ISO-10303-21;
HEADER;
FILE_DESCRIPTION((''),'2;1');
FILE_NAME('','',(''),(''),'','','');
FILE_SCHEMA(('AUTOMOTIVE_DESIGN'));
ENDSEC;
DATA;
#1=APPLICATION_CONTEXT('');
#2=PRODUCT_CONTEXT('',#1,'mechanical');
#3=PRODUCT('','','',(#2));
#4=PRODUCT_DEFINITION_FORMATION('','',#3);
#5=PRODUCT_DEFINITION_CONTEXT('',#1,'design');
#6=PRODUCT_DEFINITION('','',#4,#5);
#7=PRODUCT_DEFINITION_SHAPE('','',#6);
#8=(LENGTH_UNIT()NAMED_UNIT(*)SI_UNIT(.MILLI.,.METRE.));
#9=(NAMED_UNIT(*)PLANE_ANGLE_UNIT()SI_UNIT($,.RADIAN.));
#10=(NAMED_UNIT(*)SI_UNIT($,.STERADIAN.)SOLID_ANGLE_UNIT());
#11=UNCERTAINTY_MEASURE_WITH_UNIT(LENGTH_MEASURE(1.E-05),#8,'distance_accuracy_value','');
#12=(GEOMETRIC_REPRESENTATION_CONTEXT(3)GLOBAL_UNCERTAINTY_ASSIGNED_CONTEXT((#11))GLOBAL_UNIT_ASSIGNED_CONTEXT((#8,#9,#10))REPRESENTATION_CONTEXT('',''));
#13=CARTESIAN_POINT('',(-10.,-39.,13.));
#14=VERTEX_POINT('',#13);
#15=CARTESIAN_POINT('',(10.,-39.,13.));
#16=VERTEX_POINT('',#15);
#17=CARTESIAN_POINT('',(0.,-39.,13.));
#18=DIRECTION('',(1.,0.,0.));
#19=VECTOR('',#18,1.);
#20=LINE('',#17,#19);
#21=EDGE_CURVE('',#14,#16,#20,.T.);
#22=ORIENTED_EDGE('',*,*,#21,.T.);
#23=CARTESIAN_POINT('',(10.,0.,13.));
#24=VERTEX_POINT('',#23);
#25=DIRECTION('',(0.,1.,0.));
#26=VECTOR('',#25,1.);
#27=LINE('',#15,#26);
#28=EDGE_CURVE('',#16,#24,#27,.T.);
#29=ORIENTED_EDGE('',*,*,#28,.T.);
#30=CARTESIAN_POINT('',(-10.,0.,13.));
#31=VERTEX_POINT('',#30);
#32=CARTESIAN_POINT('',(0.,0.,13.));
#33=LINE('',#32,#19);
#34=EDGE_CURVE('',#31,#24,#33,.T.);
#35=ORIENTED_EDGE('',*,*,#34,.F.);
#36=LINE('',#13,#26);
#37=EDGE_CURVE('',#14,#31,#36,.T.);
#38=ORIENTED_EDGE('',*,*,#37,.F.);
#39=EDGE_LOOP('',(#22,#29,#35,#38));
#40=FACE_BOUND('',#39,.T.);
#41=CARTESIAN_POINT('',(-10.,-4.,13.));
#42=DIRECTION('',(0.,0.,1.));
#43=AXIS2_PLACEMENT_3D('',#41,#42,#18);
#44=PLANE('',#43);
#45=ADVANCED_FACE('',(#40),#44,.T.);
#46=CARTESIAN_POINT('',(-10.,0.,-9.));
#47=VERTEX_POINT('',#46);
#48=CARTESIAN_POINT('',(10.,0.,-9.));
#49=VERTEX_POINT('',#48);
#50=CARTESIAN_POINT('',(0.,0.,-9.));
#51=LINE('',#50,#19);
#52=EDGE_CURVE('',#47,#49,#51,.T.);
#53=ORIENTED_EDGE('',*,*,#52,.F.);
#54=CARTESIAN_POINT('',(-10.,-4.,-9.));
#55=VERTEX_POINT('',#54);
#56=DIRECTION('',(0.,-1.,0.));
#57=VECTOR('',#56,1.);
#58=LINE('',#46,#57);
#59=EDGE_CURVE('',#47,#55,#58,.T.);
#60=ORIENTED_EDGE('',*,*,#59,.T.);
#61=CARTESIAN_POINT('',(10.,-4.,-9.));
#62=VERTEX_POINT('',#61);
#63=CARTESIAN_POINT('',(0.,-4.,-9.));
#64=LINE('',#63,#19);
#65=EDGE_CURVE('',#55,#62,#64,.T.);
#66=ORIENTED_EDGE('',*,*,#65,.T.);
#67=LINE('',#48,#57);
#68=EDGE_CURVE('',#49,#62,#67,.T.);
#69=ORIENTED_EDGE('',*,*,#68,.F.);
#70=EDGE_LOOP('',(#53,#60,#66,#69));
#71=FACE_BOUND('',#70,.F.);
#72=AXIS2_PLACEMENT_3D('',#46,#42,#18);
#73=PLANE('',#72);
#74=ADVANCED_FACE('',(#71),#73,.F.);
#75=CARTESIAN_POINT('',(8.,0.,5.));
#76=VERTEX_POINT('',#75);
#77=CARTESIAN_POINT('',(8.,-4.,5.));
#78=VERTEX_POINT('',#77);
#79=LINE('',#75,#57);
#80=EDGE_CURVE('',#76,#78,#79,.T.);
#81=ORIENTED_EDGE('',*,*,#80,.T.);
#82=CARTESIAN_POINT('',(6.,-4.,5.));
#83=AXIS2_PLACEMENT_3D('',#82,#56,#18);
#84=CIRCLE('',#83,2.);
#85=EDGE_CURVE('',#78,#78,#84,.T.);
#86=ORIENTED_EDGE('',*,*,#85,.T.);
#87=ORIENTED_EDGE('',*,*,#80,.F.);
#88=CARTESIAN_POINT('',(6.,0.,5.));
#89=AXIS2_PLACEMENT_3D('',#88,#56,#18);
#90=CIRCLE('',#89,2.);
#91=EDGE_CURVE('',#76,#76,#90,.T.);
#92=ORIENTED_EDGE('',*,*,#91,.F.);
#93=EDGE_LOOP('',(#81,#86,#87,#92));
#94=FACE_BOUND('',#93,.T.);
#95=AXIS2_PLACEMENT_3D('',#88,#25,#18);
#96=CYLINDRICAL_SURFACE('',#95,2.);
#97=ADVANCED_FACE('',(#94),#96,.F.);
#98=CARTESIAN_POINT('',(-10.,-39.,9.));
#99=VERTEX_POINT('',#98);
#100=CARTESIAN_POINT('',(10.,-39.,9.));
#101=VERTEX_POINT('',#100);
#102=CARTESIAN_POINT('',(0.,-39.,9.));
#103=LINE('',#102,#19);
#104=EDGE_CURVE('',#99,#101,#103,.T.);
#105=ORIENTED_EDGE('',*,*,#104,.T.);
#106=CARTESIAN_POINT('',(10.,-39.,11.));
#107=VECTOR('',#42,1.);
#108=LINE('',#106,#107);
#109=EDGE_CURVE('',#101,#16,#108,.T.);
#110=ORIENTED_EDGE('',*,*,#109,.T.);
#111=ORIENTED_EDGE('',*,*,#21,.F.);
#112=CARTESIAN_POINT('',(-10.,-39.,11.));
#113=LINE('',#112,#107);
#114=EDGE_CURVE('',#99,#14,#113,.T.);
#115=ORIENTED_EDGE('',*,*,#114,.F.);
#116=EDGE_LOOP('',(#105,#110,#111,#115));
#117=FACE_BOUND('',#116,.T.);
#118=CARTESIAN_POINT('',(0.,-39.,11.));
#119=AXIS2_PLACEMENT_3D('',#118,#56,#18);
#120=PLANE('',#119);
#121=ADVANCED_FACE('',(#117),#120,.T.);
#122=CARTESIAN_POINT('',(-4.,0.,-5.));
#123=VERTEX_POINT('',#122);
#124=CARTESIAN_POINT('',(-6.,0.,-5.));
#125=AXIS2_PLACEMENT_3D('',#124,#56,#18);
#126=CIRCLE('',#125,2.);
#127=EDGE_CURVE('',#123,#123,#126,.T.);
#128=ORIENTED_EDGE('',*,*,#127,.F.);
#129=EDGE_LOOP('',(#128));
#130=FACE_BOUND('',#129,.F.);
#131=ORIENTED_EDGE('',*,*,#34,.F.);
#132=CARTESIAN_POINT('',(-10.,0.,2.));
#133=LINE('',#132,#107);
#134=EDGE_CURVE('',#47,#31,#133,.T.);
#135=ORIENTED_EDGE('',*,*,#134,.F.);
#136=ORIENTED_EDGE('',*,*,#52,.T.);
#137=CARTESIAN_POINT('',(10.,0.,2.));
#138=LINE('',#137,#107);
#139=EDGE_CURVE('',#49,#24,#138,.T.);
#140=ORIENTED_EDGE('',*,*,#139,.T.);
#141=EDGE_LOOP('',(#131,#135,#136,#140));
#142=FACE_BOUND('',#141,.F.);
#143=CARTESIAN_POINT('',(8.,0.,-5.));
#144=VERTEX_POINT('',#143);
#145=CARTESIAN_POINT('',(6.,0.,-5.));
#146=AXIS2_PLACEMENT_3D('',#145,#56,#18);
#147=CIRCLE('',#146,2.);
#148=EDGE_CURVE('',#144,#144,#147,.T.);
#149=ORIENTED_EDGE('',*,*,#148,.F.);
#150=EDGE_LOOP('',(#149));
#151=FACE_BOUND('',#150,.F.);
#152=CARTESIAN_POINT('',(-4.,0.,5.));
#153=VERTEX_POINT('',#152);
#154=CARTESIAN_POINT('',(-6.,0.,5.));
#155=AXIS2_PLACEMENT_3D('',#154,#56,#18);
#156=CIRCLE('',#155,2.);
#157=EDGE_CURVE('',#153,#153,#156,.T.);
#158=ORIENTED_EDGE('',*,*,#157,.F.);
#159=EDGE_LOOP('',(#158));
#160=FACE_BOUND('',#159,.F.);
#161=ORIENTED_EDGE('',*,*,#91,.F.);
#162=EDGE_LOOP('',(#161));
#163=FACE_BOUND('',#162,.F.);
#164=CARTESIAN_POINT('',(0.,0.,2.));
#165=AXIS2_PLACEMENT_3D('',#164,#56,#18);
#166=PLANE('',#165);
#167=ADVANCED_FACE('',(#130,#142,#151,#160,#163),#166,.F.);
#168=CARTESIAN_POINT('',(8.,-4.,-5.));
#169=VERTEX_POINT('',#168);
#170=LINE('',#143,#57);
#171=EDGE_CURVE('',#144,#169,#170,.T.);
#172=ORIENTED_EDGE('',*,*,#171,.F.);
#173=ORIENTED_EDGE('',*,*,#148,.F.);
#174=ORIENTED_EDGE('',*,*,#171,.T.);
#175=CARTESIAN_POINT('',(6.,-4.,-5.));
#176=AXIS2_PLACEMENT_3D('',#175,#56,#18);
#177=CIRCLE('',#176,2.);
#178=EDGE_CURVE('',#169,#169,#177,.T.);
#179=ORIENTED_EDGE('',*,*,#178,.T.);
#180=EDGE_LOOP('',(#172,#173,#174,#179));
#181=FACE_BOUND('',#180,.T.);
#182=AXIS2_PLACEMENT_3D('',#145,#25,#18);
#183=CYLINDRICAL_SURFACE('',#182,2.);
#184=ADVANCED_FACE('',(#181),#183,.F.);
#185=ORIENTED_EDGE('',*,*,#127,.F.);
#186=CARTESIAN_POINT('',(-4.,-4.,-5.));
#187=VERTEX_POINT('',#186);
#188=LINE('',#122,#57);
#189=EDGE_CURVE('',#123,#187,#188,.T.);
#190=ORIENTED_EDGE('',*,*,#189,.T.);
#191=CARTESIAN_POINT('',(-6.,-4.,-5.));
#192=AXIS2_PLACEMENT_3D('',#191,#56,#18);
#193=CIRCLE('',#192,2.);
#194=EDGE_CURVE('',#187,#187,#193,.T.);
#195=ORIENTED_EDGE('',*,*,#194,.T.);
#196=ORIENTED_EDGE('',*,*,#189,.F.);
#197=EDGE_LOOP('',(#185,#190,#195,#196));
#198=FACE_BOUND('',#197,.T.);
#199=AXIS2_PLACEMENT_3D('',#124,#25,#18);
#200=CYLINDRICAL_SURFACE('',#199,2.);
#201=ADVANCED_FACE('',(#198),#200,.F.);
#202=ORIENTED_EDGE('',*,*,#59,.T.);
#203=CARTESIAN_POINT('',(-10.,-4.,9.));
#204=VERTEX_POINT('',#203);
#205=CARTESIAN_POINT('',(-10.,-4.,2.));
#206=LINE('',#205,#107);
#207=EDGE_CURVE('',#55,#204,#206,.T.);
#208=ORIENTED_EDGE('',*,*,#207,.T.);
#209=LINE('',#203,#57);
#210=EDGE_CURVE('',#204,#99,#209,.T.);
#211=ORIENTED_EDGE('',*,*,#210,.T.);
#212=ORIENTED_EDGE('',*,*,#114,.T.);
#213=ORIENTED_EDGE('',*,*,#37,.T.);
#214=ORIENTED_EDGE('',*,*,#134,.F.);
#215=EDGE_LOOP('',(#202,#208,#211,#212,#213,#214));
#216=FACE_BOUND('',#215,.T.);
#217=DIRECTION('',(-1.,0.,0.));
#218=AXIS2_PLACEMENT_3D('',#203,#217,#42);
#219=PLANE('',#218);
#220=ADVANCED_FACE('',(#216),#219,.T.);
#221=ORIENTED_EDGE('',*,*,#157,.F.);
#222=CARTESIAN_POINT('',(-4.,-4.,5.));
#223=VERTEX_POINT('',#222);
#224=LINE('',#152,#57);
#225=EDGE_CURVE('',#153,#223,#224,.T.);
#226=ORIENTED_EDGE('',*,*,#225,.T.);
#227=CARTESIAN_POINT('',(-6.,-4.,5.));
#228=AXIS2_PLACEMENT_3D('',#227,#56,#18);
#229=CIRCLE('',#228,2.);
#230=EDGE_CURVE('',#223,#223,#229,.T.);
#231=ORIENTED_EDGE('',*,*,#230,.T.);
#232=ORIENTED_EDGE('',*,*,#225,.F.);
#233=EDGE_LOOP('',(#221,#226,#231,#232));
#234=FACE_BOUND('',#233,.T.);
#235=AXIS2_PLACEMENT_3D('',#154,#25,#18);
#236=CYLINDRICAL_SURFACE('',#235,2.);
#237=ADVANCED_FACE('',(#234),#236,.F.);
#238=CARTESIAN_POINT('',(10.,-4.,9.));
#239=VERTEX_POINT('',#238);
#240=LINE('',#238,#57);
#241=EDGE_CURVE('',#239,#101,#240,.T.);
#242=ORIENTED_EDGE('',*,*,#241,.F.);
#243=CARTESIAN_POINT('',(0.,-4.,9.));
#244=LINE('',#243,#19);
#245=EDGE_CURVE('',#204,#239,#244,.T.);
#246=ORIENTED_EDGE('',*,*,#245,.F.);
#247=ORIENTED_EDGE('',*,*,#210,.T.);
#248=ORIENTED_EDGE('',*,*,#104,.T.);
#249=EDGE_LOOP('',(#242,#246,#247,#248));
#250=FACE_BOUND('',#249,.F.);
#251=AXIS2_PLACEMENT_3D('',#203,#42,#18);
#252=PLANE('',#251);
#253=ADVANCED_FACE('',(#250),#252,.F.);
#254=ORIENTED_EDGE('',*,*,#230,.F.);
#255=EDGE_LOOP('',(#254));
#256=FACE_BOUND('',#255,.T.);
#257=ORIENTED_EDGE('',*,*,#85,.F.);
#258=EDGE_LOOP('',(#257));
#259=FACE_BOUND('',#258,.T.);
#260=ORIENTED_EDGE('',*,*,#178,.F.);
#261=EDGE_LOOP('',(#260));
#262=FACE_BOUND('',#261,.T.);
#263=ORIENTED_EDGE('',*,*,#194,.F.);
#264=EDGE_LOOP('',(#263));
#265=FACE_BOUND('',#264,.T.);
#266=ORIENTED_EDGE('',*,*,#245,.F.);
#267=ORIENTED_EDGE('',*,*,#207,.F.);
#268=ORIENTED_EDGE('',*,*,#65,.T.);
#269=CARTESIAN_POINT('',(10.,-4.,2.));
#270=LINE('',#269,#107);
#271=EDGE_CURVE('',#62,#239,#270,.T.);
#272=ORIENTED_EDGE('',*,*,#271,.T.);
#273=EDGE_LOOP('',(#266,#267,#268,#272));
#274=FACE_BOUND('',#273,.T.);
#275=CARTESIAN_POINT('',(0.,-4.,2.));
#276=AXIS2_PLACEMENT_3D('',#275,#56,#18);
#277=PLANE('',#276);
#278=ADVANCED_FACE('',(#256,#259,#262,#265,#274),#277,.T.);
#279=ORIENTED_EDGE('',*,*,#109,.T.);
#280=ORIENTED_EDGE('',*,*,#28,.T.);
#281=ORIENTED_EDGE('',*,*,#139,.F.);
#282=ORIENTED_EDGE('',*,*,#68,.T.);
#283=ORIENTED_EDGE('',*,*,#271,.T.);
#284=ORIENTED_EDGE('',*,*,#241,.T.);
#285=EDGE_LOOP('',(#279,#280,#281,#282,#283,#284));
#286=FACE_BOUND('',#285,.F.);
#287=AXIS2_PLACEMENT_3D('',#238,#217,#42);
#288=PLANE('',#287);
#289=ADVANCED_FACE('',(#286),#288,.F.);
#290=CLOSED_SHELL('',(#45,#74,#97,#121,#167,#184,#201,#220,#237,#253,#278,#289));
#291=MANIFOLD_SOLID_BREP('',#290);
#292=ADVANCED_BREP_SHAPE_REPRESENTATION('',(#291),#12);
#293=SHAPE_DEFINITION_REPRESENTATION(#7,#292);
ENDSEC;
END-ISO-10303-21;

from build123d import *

# Parameters (mm, degrees)
F0_W     = 20
F0_H     = 22
F0_R     = 2
F1_DEPTH = 4
F2_W     = 20
F2_H     = 4
F3_DEPTH = 35


with BuildPart() as f1:
    # F0 (on Front) → F1 (new body)
    with BuildSketch(Plane.XZ):
        with Locations((0, 2)):
            Rectangle(F0_W, F0_H)
        with Locations((-6, -5)):
            Circle(F0_R, mode=Mode.SUBTRACT)
        with Locations((6, -5)):
            Circle(F0_R, mode=Mode.SUBTRACT)
        with Locations((-6, 5)):
            Circle(F0_R, mode=Mode.SUBTRACT)
        with Locations((6, 5)):
            Circle(F0_R, mode=Mode.SUBTRACT)
    extrude(amount=F1_DEPTH)

    # F2 (on face) → F3 (join)
    with BuildSketch(Plane.XZ.offset(4)):
        with Locations((0, 11)):
            Rectangle(F2_W, F2_H)
    extrude(amount=F3_DEPTH)


solid = f1.part
